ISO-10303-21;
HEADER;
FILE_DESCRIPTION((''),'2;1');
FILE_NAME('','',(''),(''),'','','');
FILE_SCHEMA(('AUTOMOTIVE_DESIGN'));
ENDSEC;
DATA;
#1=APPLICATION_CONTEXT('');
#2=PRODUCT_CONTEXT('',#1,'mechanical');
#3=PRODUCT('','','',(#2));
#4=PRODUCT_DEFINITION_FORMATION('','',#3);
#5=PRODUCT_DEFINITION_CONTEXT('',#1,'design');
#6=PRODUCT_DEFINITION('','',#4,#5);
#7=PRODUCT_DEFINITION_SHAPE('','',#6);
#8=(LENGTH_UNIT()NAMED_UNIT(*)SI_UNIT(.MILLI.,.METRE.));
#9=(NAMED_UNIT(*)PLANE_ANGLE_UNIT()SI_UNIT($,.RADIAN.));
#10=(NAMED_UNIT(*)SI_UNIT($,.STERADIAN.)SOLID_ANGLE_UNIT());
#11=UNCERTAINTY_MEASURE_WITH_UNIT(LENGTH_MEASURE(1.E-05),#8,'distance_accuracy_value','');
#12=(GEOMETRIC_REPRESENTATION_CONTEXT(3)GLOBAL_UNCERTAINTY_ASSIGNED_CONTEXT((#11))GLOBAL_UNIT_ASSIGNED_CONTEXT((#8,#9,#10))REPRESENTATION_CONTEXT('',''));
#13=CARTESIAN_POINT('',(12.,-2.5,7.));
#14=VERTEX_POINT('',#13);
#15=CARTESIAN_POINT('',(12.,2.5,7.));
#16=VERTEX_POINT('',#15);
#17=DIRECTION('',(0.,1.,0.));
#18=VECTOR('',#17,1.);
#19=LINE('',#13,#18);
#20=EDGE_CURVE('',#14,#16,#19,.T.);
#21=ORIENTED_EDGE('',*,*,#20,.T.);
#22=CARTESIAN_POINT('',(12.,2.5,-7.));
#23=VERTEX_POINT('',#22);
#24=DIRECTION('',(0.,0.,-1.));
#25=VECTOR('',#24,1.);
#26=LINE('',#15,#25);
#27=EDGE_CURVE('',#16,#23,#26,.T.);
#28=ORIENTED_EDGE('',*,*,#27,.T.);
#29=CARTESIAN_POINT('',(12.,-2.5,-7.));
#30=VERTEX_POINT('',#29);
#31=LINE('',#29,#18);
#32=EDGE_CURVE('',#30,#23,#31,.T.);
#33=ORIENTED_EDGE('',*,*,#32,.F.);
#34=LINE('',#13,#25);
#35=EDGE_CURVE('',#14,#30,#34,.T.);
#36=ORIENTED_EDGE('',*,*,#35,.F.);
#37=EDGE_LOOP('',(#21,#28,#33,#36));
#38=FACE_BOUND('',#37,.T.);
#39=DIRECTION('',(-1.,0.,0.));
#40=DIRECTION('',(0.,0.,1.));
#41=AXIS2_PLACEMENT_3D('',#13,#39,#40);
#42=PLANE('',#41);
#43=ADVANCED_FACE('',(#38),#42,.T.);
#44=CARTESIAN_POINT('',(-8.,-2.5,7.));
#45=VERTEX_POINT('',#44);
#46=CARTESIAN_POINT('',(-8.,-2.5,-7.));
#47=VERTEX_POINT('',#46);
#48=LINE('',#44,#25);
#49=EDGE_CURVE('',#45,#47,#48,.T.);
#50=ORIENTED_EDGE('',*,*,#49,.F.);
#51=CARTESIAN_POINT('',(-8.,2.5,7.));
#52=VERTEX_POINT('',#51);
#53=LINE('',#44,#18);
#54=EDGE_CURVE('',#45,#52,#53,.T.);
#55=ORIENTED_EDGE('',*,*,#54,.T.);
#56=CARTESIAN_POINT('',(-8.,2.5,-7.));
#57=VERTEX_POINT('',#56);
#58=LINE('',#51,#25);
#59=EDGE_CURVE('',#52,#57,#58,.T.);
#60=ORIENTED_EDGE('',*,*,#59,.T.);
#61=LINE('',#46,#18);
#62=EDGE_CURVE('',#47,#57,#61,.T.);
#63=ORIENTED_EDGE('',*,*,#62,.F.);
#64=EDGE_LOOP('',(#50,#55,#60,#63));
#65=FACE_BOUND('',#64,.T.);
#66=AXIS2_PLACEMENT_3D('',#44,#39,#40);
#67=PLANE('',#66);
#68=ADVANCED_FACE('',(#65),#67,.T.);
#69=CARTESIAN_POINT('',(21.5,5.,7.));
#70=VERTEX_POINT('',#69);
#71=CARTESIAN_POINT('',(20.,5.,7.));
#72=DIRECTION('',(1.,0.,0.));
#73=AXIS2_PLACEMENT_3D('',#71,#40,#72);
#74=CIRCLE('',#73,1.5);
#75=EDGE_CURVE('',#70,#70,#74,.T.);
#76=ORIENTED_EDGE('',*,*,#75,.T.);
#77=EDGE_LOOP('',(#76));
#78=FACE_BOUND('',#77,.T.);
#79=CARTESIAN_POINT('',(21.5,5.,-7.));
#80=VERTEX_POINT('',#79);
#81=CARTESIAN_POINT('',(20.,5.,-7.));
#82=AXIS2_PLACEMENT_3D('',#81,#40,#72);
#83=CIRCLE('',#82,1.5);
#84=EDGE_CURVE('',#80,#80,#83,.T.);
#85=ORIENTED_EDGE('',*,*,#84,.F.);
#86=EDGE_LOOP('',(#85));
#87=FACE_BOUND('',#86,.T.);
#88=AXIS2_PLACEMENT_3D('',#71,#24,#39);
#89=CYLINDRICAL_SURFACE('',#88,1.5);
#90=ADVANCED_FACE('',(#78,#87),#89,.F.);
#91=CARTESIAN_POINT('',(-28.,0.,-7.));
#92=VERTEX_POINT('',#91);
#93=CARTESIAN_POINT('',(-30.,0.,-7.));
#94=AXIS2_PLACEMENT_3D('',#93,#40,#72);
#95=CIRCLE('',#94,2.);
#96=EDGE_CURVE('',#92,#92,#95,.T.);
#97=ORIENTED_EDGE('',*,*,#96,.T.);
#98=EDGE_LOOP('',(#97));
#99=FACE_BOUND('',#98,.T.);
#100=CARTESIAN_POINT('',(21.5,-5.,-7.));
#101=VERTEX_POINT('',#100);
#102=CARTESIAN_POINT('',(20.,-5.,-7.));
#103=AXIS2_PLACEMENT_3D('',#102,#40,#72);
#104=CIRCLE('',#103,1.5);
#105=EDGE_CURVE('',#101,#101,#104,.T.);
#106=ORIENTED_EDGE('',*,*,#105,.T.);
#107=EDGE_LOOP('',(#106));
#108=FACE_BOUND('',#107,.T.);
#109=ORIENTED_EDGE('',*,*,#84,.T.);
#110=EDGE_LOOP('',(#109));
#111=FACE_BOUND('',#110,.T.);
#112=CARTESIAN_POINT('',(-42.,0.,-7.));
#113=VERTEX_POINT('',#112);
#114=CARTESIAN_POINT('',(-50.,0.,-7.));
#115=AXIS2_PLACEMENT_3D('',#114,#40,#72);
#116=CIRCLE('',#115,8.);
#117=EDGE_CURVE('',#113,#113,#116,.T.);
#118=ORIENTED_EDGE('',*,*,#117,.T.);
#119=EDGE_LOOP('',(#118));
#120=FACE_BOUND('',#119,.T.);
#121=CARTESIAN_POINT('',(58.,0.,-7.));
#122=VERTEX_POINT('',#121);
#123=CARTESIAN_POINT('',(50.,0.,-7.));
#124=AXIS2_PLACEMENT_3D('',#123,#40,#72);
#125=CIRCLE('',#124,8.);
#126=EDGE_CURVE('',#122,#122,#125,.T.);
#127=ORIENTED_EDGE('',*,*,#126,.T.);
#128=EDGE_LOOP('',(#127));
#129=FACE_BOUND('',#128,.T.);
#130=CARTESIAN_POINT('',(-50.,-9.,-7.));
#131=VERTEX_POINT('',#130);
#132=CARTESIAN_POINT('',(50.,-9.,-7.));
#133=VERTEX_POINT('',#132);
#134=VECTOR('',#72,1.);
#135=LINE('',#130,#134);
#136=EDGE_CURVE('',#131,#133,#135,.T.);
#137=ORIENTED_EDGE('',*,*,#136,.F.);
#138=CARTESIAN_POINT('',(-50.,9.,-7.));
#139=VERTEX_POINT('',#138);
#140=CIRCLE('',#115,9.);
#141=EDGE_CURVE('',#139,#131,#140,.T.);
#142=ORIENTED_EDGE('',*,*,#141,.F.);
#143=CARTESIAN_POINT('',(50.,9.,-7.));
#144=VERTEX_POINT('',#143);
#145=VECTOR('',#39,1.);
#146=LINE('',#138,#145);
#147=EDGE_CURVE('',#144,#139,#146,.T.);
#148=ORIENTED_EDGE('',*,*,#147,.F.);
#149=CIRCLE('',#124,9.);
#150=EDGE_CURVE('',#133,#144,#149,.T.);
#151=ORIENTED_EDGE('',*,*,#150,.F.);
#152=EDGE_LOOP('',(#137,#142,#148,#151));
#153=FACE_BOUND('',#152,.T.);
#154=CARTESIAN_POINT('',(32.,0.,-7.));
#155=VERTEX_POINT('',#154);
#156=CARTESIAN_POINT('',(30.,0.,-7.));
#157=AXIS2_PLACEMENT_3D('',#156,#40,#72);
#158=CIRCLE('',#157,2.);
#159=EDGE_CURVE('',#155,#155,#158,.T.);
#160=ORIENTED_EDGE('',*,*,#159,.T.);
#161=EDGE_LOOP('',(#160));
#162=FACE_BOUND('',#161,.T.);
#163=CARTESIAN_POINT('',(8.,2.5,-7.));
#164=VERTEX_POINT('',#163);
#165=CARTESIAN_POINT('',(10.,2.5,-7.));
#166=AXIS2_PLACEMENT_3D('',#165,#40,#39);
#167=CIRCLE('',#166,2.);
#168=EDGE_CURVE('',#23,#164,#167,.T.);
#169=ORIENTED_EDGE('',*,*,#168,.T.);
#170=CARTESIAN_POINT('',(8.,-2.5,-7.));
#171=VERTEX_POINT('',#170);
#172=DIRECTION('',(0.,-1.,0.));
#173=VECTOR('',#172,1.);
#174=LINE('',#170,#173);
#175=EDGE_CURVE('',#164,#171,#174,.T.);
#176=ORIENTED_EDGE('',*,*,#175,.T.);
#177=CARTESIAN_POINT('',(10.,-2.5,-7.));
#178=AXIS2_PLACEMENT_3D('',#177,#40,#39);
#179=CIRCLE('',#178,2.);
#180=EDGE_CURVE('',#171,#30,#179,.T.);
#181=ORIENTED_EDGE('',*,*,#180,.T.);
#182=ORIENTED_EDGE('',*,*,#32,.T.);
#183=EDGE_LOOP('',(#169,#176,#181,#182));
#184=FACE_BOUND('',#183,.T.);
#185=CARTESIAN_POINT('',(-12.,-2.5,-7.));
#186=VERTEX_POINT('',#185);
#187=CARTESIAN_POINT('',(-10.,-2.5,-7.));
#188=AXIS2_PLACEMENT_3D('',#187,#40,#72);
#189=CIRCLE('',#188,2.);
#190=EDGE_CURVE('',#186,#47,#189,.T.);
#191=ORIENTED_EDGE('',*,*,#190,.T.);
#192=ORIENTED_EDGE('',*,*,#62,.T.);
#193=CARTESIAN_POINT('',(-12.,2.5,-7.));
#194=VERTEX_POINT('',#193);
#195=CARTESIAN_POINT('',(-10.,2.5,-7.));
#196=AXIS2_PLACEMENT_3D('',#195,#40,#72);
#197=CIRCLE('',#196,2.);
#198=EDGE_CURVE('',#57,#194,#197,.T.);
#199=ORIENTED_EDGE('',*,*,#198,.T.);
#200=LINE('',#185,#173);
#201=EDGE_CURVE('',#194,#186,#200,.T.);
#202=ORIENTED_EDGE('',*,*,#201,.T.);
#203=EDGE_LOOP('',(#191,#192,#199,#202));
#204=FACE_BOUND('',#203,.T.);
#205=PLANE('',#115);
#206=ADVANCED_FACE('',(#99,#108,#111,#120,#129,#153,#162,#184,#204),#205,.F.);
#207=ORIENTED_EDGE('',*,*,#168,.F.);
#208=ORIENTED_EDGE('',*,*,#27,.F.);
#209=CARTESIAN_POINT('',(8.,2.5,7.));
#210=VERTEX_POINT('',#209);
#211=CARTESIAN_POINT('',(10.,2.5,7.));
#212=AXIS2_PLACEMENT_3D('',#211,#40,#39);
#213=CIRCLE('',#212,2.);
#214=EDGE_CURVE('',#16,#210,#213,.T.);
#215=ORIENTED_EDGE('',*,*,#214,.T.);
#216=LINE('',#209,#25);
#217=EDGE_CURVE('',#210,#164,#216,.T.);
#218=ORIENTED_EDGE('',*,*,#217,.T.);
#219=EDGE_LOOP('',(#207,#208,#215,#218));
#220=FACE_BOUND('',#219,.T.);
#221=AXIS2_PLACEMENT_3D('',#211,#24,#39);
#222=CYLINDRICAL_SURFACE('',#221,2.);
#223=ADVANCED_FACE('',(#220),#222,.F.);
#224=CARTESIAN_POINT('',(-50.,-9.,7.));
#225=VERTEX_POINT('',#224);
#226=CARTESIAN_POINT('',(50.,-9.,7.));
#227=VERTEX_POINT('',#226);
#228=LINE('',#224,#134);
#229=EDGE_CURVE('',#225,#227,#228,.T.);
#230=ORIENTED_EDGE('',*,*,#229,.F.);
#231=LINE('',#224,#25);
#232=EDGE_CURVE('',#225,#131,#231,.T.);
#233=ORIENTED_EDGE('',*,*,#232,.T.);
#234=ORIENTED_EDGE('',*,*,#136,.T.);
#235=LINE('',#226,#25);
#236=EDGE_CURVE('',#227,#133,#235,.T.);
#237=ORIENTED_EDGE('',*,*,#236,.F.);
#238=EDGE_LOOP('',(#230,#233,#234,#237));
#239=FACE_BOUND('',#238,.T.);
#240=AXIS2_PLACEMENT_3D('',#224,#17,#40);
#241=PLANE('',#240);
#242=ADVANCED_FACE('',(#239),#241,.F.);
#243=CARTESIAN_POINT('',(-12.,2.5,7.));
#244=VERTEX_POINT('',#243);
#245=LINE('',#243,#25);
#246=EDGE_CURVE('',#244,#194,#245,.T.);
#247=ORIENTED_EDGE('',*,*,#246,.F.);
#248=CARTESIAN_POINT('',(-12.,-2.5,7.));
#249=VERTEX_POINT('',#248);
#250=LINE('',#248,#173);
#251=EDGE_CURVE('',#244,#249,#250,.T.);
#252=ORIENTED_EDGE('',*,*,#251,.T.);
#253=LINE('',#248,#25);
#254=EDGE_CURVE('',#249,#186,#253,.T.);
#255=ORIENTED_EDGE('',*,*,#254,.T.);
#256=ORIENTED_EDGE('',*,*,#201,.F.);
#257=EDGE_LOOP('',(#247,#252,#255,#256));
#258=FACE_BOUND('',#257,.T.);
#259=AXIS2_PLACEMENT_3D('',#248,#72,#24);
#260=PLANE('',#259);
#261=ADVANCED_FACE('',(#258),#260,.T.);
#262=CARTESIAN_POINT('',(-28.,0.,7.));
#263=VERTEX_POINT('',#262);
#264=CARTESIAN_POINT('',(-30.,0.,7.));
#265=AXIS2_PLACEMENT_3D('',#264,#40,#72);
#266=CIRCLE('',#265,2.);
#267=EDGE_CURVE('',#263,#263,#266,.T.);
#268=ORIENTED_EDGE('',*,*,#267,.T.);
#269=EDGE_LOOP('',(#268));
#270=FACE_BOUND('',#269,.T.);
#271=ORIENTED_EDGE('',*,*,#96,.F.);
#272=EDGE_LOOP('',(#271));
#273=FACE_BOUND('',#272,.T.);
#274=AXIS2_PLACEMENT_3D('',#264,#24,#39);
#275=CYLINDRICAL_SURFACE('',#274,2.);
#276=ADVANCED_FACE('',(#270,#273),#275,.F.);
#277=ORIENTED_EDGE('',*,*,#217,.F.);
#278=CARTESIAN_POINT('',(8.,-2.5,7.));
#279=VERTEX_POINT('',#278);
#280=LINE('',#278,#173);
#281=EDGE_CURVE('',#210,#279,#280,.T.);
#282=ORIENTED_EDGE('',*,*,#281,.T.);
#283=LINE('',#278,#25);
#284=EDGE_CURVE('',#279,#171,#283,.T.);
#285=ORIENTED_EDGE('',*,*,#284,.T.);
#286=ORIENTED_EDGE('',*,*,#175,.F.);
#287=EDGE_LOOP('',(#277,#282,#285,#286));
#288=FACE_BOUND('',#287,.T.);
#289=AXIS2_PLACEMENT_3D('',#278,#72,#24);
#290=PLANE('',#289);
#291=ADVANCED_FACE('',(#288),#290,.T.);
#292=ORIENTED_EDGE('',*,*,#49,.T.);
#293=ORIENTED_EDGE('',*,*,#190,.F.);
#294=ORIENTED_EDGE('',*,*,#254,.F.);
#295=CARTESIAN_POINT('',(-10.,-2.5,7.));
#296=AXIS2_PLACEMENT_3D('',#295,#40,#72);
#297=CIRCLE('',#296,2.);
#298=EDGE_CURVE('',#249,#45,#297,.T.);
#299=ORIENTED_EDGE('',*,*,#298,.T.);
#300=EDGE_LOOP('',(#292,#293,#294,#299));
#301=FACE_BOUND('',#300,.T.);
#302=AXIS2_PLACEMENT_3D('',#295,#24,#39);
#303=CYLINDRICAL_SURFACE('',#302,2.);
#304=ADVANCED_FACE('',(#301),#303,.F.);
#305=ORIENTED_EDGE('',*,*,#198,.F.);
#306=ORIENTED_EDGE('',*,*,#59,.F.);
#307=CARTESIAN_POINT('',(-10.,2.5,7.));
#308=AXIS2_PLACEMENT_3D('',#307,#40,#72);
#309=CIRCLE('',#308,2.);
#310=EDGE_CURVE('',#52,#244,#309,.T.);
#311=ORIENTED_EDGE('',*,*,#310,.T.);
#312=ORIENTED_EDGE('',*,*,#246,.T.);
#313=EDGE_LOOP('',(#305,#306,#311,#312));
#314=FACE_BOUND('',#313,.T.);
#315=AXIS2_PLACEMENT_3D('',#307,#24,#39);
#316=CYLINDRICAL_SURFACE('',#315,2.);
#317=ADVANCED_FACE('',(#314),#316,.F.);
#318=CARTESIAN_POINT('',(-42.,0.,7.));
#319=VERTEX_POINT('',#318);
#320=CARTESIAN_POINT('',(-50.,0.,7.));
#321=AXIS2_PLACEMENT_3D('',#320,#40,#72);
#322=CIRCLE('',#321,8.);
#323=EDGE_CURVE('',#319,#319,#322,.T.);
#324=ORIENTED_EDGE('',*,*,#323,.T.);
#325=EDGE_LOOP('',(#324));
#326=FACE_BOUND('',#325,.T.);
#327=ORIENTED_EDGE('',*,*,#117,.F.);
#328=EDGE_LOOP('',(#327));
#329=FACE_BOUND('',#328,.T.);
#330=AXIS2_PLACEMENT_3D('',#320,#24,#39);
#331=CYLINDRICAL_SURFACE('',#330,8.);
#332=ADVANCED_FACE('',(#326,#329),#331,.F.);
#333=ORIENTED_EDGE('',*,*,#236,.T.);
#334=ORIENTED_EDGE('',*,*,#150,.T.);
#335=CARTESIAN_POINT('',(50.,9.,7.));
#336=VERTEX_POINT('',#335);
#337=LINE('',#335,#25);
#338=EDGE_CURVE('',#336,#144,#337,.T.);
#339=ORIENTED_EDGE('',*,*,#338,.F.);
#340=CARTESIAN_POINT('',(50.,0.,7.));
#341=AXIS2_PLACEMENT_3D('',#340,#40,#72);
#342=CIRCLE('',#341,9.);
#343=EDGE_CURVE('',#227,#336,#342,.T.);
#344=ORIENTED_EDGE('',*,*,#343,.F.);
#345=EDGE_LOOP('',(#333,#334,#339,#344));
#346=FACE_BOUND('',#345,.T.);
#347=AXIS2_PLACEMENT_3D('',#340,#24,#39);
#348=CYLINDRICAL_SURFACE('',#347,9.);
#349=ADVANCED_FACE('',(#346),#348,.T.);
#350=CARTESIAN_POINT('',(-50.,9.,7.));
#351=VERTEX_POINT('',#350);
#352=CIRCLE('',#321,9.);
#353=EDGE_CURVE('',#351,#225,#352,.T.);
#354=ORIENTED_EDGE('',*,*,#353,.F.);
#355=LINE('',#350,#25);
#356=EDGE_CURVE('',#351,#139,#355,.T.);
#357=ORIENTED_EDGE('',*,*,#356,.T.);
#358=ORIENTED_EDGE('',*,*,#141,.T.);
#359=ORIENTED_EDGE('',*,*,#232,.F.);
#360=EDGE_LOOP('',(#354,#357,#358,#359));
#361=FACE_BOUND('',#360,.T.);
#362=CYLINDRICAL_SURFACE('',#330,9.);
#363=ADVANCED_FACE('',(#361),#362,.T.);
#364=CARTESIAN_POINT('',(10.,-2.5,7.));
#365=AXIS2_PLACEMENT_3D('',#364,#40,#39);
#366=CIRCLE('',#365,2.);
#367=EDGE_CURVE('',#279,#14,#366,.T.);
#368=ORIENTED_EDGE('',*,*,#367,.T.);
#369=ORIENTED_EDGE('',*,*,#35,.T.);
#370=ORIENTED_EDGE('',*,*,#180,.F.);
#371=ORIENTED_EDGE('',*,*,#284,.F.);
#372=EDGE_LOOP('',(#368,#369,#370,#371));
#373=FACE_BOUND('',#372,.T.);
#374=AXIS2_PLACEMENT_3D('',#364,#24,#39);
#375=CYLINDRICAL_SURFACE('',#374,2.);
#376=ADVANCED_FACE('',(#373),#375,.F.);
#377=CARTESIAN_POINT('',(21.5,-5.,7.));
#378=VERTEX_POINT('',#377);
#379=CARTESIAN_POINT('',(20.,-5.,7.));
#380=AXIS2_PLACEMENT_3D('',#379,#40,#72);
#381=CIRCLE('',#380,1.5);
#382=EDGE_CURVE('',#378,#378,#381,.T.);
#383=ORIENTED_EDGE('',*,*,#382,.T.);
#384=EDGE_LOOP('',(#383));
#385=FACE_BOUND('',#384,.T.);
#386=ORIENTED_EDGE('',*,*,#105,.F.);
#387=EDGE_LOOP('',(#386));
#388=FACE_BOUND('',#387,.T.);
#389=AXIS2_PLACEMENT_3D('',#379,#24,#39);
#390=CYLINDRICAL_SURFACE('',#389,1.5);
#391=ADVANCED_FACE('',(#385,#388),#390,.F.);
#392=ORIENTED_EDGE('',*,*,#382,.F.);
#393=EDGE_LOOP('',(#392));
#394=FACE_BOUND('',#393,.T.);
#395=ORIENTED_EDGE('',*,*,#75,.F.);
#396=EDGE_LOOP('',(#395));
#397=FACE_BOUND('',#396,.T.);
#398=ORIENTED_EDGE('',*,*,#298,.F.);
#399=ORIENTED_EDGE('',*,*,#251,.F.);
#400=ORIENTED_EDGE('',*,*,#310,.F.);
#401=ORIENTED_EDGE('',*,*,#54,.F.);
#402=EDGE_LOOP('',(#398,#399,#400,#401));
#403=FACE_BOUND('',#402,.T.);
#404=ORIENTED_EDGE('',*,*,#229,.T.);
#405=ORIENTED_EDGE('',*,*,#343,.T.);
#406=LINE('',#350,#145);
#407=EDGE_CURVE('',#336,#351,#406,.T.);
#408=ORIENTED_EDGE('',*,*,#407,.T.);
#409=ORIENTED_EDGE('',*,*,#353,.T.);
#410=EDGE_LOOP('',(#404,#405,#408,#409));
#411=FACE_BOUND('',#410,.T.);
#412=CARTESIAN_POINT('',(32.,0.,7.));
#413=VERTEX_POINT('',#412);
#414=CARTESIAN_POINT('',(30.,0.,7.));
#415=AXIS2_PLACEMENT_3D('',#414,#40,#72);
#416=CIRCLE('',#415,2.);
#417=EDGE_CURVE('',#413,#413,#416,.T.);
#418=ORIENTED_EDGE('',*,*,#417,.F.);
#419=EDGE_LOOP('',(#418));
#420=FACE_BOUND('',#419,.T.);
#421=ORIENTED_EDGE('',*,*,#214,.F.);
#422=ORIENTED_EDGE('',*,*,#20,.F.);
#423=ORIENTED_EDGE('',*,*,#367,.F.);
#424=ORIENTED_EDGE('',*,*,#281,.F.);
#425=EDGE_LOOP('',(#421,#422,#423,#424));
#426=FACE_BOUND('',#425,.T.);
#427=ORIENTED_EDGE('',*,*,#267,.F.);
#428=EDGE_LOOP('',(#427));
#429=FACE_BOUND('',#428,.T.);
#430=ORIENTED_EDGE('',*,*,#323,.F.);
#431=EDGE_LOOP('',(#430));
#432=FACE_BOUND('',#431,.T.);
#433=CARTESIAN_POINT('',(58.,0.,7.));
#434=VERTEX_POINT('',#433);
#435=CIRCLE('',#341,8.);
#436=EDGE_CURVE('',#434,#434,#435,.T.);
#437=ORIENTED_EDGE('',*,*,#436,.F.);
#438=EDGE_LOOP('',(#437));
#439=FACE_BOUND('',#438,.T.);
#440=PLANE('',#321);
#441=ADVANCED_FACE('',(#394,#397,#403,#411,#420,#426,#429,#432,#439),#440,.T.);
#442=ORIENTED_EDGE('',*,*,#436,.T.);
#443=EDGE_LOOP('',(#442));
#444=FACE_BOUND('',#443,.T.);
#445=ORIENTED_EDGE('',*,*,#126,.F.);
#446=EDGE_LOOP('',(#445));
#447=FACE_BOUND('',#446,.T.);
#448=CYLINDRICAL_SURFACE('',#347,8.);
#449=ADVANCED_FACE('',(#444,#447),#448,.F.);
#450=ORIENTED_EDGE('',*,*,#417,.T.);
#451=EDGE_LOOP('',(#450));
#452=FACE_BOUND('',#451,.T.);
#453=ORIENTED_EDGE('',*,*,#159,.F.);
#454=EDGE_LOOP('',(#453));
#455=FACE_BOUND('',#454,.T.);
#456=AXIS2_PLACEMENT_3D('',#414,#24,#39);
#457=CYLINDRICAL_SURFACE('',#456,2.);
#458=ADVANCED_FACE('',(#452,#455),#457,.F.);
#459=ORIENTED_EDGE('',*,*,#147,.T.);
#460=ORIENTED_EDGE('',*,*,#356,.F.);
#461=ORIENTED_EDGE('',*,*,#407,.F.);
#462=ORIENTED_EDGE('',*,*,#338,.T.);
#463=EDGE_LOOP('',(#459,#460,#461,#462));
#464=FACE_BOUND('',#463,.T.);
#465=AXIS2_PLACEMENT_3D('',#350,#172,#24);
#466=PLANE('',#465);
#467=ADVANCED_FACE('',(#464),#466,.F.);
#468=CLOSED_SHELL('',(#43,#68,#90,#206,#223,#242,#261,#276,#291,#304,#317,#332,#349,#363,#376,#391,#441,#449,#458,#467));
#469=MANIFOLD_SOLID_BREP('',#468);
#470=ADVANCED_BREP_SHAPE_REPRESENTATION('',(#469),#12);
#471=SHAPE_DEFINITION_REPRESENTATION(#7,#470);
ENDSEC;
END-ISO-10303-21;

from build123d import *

# Parameters (mm, degrees)
SKETCH1_R           = 2
SKETCH1_R_2         = 8
SKETCH1_R_3         = 1.5
BOSS_EXTRUDE1_DEPTH = 7


with BuildPart() as part:
    # Sketch1 → Boss-Extrude1 (new, symmetric)
    with BuildSketch(Plane.XY):
        with BuildLine():
            Line((-50, 9), (50, 9))
            ThreePointArc((50, 9), (59, 0), (50, -9))
            Line((50, -9), (-50, -9))
            ThreePointArc((-50, -9), (-59, 0), (-50, 9))
        make_face()
        with Locations((-30, 0)):
            Circle(SKETCH1_R, mode=Mode.SUBTRACT)
        with Locations((30, 0)):
            Circle(SKETCH1_R, mode=Mode.SUBTRACT)
        with Locations((-50, 0)):
            Circle(SKETCH1_R_2, mode=Mode.SUBTRACT)
        with Locations((50, 0)):
            Circle(SKETCH1_R_2, mode=Mode.SUBTRACT)
        with Locations((20, -5)):
            Circle(SKETCH1_R_3, mode=Mode.SUBTRACT)
        with Locations((20, 5)):
            Circle(SKETCH1_R_3, mode=Mode.SUBTRACT)
        with BuildLine():
            Line((-12, -2.5), (-12, 2.5))
            ThreePointArc((-12, 2.5), (-10, 4.5), (-8, 2.5))
            Line((-8, 2.5), (-8, -2.5))
            ThreePointArc((-8, -2.5), (-10, -4.5), (-12, -2.5))
        make_face(mode=Mode.SUBTRACT)
        with BuildLine():
            Line((12, -2.5), (12, 2.5))
            ThreePointArc((12, 2.5), (10, 4.5), (8, 2.5))
            Line((8, 2.5), (8, -2.5))
            ThreePointArc((8, -2.5), (10, -4.5), (12, -2.5))
        make_face(mode=Mode.SUBTRACT)
    extrude(amount=BOSS_EXTRUDE1_DEPTH, both=True)


solid = part.part
